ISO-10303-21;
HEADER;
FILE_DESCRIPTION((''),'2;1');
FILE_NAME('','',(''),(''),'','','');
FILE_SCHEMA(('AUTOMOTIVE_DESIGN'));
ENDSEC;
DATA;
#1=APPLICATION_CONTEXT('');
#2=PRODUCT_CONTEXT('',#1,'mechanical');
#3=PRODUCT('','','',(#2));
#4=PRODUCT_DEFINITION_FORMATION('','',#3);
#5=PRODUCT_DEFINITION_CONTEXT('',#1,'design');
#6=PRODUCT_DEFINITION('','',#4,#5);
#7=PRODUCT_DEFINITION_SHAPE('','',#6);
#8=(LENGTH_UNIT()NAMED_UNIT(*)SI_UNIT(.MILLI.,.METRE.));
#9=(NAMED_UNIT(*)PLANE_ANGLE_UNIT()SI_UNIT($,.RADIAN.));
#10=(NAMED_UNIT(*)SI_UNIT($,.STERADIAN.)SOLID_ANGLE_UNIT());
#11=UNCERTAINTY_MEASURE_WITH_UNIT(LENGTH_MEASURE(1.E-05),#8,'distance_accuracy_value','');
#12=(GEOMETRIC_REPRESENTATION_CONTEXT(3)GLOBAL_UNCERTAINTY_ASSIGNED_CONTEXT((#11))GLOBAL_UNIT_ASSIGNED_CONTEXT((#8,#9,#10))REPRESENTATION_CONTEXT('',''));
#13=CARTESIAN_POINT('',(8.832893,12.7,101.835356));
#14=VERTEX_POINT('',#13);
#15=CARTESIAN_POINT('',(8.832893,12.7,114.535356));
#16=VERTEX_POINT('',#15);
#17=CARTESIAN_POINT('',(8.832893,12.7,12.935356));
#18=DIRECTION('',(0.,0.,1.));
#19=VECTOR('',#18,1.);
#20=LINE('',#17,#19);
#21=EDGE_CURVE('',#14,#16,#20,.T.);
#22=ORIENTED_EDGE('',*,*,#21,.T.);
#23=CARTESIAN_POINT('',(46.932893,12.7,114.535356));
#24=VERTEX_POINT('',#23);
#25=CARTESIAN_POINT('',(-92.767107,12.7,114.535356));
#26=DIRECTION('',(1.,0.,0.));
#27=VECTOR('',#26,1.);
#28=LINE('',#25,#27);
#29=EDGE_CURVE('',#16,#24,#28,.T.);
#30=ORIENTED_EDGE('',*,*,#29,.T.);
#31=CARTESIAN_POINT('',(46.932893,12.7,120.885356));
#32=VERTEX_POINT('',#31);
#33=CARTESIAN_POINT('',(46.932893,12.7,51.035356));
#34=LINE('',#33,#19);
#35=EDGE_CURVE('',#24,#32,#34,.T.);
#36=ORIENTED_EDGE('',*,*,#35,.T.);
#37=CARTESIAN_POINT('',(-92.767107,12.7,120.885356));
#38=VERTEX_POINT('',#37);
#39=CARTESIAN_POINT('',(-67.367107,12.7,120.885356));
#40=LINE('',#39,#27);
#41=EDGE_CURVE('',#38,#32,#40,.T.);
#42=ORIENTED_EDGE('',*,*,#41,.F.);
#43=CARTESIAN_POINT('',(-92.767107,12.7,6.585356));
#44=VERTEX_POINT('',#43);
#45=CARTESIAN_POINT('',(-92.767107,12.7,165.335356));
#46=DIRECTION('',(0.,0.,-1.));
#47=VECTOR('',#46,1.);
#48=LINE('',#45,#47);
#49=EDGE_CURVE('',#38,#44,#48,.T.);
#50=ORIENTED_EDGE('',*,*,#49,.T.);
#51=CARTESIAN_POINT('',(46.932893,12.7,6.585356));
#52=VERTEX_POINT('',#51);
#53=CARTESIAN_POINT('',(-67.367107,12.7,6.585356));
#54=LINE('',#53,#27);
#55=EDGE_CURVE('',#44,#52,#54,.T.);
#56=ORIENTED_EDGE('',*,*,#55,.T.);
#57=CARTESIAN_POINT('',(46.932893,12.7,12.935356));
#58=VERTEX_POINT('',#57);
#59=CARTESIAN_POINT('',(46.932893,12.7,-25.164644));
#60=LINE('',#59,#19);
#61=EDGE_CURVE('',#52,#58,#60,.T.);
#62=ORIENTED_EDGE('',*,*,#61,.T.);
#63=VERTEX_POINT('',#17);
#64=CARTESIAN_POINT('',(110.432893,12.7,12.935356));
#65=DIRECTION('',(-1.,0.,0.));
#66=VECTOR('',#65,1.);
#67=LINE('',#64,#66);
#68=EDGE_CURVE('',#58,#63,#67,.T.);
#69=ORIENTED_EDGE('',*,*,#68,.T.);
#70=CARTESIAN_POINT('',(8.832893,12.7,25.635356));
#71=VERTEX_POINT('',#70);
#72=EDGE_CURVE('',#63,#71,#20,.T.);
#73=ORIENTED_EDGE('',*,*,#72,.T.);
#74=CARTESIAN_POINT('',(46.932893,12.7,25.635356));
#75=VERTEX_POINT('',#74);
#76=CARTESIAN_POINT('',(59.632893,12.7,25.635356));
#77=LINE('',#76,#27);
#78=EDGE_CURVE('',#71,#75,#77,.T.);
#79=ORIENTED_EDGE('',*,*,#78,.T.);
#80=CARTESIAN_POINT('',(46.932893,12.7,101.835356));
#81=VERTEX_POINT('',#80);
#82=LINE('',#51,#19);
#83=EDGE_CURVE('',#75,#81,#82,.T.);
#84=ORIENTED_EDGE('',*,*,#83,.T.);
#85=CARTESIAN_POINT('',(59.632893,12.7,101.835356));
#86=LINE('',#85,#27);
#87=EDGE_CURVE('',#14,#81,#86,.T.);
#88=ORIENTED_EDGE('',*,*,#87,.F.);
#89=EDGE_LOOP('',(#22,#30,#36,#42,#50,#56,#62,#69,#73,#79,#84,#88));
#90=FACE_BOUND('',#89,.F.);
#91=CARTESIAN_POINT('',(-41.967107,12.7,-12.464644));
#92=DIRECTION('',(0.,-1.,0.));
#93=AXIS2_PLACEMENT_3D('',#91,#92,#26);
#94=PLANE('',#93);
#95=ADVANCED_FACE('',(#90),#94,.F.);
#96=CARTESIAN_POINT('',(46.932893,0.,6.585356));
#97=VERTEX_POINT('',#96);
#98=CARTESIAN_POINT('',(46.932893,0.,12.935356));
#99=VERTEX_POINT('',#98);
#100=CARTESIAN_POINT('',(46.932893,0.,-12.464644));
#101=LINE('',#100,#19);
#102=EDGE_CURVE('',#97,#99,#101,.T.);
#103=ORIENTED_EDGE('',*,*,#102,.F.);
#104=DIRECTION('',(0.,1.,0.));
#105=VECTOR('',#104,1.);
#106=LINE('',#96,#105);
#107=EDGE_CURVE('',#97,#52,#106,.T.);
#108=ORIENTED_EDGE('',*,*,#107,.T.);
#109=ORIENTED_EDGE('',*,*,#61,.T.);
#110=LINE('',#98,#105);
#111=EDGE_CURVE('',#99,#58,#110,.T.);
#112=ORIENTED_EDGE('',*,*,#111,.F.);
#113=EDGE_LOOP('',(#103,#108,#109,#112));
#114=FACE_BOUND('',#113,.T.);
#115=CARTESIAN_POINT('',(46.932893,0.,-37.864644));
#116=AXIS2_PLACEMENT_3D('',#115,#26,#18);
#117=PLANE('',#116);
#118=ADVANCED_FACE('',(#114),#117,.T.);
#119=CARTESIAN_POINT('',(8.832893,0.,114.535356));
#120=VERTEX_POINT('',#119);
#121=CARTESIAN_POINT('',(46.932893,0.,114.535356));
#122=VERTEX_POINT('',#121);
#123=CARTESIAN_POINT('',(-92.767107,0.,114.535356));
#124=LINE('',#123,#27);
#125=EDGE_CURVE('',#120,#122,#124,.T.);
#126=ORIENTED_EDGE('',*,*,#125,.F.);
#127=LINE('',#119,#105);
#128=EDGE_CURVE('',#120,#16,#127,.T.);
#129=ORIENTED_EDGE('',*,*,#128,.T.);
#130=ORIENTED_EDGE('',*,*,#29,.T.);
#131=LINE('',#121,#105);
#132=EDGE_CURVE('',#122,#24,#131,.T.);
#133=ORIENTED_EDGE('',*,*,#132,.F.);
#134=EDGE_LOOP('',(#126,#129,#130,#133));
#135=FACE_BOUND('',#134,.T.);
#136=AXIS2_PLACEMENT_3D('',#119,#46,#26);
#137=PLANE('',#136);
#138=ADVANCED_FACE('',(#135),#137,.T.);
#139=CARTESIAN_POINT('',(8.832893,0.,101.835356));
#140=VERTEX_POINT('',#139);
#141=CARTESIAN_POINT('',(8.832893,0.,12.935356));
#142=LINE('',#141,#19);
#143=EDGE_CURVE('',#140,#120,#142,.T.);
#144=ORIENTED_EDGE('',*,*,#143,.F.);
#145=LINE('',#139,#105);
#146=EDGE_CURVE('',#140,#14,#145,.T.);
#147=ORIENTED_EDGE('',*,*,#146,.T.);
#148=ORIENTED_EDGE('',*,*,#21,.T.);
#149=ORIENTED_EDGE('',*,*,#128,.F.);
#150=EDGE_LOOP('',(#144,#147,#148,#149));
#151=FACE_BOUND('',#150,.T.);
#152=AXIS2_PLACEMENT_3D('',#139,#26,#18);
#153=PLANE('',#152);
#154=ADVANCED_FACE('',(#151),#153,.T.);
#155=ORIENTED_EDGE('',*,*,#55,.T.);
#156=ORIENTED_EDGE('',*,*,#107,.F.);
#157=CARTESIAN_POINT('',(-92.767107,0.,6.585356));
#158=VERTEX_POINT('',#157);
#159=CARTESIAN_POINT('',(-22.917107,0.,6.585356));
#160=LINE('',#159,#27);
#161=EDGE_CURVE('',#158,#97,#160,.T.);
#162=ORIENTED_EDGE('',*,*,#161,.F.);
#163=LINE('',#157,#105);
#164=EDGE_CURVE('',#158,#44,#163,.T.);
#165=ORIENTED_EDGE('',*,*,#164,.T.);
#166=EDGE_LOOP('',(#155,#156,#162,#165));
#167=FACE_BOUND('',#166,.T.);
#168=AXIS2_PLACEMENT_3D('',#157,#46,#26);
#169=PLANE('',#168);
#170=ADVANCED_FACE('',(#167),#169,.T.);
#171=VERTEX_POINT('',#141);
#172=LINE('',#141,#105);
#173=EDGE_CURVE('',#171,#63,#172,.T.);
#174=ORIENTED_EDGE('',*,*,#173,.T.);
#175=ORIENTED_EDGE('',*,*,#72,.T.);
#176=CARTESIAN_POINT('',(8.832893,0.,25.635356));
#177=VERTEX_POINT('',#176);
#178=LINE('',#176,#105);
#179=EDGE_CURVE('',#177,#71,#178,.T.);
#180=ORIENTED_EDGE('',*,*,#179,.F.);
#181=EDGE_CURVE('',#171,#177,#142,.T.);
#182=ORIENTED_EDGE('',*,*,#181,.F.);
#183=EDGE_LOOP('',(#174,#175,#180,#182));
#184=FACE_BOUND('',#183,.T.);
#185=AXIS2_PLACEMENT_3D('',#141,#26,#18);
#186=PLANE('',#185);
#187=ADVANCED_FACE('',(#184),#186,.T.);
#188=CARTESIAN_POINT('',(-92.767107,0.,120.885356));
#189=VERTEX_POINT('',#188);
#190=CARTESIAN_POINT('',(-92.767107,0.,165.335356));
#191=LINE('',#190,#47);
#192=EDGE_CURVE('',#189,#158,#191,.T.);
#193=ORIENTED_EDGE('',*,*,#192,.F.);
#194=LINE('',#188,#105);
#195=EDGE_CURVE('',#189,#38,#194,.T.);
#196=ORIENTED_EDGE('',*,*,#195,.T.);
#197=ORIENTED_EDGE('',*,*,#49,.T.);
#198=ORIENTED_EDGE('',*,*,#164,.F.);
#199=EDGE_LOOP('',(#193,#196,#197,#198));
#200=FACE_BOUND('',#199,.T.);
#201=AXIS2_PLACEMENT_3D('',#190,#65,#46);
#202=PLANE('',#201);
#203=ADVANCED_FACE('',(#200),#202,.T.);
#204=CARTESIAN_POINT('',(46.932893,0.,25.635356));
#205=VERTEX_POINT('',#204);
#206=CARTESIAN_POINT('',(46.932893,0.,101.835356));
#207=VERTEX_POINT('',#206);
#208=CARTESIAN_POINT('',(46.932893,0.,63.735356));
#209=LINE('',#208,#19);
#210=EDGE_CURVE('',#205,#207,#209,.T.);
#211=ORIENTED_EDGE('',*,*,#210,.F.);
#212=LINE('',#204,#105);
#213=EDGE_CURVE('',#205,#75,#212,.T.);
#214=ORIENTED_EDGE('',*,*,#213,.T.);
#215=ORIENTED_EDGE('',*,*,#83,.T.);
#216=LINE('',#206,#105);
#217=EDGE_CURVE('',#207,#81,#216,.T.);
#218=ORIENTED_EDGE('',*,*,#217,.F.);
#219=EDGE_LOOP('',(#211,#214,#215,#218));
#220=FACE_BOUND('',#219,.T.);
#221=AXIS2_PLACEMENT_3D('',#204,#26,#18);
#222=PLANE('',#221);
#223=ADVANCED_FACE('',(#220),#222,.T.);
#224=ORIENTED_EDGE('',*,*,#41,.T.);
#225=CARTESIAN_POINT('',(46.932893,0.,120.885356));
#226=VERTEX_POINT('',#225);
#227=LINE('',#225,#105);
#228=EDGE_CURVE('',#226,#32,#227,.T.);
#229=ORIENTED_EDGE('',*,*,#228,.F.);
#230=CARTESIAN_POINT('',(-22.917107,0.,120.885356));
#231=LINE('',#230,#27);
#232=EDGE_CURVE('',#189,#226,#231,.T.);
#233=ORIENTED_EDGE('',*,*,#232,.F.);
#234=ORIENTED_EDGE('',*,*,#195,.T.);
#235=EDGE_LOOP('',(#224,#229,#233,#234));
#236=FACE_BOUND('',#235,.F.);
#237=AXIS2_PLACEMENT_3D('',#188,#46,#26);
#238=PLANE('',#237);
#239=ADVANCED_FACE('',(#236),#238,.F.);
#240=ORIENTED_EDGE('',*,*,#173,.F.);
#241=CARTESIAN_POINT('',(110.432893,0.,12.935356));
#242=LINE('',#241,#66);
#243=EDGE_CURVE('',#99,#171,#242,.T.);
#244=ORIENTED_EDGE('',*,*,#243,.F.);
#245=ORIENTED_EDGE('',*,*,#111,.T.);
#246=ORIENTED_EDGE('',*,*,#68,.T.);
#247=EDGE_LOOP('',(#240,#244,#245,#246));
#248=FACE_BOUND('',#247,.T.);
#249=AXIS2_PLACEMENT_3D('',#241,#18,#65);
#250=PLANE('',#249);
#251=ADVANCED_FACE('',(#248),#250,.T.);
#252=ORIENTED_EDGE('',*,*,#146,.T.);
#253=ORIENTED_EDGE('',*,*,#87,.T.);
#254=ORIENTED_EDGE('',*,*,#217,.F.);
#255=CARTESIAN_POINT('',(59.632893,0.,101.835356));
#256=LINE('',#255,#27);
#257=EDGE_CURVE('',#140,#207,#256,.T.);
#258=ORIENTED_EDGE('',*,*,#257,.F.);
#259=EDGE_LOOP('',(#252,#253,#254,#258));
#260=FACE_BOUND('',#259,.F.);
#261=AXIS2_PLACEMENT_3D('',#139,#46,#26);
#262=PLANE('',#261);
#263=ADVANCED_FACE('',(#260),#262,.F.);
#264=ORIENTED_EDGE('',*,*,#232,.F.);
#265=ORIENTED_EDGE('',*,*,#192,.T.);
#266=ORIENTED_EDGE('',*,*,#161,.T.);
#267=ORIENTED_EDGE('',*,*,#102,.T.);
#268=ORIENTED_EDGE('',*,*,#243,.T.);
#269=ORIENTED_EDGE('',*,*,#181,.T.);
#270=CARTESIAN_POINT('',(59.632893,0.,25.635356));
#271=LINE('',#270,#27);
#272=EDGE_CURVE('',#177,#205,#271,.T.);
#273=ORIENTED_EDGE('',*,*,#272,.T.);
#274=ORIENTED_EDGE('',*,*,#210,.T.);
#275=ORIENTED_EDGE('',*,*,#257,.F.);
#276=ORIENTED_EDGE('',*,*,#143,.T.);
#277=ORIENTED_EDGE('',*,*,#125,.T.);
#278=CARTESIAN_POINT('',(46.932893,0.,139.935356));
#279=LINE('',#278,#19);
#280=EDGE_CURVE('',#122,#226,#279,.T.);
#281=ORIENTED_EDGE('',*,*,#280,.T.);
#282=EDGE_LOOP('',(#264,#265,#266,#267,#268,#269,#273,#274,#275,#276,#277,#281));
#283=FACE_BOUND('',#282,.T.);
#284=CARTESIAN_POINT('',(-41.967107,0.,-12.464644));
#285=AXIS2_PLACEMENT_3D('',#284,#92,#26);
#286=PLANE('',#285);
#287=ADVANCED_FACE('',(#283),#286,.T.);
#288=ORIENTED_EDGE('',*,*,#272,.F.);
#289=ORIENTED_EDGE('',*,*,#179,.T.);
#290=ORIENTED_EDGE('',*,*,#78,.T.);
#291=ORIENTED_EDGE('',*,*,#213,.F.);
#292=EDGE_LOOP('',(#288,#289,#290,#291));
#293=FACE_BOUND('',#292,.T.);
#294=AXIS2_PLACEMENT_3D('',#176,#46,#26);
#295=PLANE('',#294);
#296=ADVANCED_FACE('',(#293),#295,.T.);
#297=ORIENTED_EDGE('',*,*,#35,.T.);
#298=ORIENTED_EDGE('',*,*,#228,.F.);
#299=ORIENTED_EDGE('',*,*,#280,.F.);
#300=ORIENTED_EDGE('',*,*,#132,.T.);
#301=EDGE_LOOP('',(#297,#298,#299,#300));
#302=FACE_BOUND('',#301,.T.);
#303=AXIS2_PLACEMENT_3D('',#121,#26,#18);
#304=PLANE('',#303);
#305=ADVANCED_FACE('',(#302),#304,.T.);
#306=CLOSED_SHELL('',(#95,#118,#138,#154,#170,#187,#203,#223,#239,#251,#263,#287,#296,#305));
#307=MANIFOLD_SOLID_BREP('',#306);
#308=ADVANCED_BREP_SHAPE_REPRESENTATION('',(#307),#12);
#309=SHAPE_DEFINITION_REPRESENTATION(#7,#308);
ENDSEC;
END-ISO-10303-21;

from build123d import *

# Parameters (mm, degrees)
F0_W     = 101.6
F0_H     = 50.8
F0_H_2   = 12.7
F0_H_3   = 76.2
F1_DEPTH = 12.7
F2_W     = 50.8
F2_H     = 203.2
F3_DEPTH = 25.4
F4_W     = 12.7
F4_H     = 50.8
F4_H_2   = 76.2
F5_DEPTH = 25.4
F6_W     = 139.7
F6_H     = 44.45
F7_DEPTH = 25.4


with BuildPart() as f1:
    # F0 (on Front) → F1 (new body)
    with BuildSketch(Plane.XZ):
        with Locations((-41.9671071525, -12.46464407)):
            Rectangle(F0_W, F0_H)
        with Locations((59.6328928475, -12.46464407)):
            Rectangle(F0_W, F0_H)
        with Locations((-41.9671071525, 139.93535593)):
            Rectangle(F0_W, F0_H)
        with Locations((59.6328928475, 139.93535593)):
            Rectangle(F0_W, F0_H)
        with Locations((-41.9671071525, 19.28535593)):
            Rectangle(F0_W, F0_H_2)
        with Locations((-41.9671071525, 63.73535593)):
            Rectangle(F0_W, F0_H_3)
        with Locations((-41.9671071525, 108.18535593)):
            Rectangle(F0_W, F0_H_2)
        with Locations((59.6328928475, 63.73535593)):
            Rectangle(F0_W, F0_H_3)
    extrude(amount=-F1_DEPTH)

    # F2 (on face) → F3 (cut)
    with BuildSketch(Plane.XZ):
        with Locations((85.0328928475, 63.73535593)):
            Rectangle(F2_W, F2_H)
    extrude(amount=-F3_DEPTH, mode=Mode.SUBTRACT)

    # F4 (on face) → F5 (cut)
    with BuildSketch(Plane.XZ):
        with Locations((53.2828928475, 139.93535593)):
            Rectangle(F4_W, F4_H)
        with Locations((53.2828928475, -12.46464407)):
            Rectangle(F4_W, F4_H)
        with Locations((53.2828928475, 63.73535593)):
            Rectangle(F4_W, F4_H_2)
    extrude(amount=-F5_DEPTH, mode=Mode.SUBTRACT)

    # F6 (on face) → F7 (cut)
    with BuildSketch(Plane.XZ):
        with Locations((-22.9171071525, 143.11035593)):
            Rectangle(F6_W, F6_H)
        with Locations((-22.9171071525, -15.63964407)):
            Rectangle(F6_W, F6_H)
    extrude(amount=-F7_DEPTH, mode=Mode.SUBTRACT)


solid = f1.part
